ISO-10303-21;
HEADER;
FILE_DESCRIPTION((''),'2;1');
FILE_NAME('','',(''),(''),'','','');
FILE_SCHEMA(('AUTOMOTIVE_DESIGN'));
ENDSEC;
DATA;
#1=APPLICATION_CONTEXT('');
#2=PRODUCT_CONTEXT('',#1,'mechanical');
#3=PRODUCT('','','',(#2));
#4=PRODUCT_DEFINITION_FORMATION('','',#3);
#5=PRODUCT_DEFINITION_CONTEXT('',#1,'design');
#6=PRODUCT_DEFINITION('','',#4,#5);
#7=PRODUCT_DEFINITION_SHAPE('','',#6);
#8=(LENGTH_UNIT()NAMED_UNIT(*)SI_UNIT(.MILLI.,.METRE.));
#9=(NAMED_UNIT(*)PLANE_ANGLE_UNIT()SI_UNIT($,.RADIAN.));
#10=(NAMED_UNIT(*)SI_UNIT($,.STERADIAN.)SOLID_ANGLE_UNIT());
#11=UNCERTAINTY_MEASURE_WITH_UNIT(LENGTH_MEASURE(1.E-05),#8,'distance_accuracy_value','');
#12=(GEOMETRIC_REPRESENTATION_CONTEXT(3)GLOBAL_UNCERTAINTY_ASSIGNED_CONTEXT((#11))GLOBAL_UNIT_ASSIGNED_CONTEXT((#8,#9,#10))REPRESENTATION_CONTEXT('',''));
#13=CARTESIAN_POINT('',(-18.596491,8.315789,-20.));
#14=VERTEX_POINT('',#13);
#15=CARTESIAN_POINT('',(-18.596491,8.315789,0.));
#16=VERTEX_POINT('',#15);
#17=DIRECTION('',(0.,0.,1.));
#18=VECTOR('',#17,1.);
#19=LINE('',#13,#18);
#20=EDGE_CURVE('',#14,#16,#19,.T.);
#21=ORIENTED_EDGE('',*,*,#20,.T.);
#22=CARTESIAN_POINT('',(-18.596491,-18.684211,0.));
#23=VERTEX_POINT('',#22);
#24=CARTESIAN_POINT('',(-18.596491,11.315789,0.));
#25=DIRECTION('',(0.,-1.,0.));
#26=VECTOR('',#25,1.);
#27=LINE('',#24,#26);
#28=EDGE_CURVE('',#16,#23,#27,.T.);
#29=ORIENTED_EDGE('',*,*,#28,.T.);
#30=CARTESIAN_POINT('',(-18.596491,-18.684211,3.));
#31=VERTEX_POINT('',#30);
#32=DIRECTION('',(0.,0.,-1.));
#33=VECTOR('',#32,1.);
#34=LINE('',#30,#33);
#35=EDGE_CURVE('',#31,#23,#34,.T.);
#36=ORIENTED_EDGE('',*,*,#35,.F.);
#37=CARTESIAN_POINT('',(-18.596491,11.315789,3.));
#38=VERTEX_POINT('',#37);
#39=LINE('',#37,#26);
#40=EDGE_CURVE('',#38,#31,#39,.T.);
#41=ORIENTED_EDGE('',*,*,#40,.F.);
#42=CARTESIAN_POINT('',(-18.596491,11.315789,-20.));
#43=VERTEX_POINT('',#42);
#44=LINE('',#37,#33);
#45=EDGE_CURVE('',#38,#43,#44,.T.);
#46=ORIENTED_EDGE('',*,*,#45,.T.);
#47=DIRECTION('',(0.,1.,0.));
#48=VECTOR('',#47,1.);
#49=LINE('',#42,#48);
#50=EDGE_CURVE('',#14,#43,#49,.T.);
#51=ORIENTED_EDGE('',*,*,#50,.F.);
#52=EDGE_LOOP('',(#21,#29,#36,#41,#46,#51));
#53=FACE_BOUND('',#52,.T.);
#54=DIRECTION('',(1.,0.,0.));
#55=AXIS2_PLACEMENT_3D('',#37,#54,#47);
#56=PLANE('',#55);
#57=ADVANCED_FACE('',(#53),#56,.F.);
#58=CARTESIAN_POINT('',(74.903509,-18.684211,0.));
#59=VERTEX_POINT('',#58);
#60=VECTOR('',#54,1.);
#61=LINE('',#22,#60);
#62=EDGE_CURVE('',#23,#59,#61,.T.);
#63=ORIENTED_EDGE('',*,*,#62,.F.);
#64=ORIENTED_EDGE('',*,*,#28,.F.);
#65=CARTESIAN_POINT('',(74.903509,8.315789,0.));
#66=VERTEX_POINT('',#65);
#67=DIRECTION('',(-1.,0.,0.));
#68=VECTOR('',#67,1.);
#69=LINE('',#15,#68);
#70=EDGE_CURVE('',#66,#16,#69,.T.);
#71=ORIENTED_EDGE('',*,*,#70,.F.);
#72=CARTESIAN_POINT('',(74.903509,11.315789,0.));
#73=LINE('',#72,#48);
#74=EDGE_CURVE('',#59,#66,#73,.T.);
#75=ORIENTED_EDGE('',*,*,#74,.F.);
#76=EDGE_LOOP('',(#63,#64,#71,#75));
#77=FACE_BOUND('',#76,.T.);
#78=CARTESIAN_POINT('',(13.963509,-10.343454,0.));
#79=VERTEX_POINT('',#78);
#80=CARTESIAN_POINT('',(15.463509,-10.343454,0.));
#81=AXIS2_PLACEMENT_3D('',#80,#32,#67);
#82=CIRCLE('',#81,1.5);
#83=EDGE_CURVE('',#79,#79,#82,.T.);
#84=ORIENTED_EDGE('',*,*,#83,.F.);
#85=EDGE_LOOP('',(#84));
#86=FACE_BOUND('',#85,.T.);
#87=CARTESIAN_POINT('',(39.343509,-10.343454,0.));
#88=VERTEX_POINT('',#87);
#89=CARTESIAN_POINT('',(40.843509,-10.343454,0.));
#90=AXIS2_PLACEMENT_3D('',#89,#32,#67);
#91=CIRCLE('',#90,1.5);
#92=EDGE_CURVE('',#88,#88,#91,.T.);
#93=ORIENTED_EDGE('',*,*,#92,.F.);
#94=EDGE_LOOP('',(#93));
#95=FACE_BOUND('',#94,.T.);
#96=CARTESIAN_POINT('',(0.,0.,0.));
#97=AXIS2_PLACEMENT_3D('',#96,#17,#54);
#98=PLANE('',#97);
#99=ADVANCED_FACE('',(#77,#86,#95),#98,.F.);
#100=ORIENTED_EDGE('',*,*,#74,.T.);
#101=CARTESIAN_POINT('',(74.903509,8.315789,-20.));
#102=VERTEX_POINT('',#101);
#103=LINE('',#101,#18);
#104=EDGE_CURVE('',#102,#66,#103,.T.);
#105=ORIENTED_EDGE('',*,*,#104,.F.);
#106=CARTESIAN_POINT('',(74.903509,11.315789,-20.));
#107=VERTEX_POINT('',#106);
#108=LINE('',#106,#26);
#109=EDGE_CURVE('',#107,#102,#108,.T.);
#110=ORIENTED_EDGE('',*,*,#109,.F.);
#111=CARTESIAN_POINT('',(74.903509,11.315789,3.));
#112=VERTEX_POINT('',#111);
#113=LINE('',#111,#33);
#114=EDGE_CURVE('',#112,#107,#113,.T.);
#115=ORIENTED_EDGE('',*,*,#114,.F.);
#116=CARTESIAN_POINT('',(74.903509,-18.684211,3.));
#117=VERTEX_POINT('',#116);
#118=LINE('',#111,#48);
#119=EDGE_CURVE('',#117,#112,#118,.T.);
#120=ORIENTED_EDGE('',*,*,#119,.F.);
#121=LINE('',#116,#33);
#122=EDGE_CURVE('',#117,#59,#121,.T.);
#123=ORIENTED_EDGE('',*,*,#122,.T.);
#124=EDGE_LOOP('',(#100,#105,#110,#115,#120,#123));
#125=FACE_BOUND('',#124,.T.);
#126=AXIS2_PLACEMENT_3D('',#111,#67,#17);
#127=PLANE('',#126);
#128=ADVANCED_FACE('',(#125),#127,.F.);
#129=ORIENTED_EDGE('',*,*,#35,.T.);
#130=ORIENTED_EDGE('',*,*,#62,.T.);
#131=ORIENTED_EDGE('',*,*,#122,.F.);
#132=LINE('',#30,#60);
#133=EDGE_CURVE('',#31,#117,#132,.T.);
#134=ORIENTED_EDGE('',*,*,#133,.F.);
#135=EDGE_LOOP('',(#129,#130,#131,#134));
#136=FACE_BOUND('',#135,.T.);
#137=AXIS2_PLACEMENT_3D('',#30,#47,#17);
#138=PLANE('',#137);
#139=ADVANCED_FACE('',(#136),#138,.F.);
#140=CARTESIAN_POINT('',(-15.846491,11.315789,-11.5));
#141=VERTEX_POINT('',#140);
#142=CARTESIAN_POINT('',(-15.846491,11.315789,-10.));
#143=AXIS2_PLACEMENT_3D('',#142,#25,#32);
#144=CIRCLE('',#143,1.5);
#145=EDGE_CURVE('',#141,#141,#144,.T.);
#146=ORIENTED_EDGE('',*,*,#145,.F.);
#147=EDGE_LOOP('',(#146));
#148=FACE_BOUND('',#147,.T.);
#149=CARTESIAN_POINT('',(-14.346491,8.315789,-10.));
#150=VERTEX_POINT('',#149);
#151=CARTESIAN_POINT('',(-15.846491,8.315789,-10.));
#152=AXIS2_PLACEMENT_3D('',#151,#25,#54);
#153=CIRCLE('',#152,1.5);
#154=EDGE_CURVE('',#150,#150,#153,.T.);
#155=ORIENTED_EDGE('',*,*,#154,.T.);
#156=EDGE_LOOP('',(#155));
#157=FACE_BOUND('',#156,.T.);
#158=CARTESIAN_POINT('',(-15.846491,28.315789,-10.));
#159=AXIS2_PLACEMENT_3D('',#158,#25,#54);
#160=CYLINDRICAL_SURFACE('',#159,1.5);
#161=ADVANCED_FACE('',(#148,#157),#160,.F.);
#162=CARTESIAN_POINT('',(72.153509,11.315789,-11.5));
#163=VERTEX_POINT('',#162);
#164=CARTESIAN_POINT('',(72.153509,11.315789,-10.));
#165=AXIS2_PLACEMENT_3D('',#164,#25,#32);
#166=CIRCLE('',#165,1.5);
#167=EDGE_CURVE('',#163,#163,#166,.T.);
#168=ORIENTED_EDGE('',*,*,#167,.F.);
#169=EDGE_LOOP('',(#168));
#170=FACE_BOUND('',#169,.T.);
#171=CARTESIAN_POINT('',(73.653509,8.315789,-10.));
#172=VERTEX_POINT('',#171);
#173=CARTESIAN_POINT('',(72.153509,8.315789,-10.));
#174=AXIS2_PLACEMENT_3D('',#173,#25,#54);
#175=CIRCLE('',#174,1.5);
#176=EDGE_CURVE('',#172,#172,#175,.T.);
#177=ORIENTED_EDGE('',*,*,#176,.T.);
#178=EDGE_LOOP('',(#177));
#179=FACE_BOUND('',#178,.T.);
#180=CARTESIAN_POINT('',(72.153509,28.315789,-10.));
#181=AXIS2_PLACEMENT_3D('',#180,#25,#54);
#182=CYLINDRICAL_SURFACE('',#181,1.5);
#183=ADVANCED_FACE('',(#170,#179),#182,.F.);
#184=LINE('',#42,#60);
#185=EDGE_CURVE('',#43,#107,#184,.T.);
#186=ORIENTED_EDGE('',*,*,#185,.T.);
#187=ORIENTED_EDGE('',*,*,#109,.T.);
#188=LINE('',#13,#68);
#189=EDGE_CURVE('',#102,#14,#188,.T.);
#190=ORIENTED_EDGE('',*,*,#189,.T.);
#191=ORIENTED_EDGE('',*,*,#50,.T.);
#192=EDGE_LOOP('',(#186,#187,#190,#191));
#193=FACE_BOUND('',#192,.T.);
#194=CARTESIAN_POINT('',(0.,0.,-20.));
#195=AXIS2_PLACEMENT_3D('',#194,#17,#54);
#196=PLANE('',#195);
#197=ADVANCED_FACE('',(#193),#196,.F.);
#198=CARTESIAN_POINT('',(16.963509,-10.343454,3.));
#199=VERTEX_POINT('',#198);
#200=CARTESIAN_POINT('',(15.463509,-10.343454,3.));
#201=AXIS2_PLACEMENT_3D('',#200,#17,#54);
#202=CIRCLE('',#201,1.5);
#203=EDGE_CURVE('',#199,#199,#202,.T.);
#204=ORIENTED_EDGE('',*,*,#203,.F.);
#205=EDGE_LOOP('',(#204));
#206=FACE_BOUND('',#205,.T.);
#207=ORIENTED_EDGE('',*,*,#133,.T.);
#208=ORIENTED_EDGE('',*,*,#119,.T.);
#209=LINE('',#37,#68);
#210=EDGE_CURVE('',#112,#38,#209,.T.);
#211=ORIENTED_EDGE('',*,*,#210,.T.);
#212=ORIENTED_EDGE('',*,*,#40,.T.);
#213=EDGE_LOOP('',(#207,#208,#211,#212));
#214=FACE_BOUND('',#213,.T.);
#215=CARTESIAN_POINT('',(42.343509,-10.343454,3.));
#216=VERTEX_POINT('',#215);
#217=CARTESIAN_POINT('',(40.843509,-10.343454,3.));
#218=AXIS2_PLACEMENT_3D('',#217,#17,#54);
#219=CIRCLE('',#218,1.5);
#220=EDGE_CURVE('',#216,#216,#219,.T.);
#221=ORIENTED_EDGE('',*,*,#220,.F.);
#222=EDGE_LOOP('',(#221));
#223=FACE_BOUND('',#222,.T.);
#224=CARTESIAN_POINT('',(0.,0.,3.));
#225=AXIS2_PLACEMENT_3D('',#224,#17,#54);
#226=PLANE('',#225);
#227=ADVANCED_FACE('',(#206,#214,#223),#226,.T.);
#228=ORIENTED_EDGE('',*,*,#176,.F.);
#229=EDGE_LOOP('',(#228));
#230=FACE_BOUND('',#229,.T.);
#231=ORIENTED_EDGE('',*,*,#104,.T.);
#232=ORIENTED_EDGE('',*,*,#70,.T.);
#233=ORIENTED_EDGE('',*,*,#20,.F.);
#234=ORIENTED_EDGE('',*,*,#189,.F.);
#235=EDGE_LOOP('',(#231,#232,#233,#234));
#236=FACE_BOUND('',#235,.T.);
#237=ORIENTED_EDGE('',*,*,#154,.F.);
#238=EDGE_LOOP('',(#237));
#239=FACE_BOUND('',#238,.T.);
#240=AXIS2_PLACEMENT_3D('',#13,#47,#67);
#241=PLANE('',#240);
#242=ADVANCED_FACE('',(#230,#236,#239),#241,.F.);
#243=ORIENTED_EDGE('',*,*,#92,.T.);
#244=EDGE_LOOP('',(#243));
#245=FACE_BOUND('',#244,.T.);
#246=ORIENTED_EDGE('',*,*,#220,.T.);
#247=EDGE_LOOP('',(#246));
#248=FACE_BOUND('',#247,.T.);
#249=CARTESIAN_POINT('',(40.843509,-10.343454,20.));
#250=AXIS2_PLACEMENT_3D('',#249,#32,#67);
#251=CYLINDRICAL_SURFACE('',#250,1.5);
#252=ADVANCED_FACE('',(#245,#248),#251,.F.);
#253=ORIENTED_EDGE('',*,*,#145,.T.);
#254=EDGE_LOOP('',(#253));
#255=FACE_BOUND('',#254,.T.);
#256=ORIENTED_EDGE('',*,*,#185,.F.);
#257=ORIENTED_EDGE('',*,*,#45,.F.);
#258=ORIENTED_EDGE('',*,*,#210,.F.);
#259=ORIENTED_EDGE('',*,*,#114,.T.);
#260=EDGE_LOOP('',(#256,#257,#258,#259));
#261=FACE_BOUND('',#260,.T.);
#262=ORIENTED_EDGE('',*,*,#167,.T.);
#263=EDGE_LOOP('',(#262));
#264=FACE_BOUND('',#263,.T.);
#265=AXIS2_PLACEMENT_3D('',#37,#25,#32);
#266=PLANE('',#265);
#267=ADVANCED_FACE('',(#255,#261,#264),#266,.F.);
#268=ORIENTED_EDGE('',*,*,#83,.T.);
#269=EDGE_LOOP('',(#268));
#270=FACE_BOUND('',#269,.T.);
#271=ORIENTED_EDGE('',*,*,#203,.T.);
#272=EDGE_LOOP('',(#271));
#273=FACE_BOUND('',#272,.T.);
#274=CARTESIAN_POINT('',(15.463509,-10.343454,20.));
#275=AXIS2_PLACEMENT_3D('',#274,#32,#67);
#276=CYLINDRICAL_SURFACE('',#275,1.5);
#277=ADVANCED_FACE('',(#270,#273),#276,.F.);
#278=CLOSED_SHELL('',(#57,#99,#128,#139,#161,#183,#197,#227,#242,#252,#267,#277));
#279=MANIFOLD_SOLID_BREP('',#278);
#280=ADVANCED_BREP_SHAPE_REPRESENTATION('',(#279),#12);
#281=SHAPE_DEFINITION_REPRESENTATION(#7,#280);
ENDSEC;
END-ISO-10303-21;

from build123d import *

# Parameters (mm, degrees)
SKETCH_1_W          = 93.5
SKETCH_1_H          = 30
EXTRUDE_1_DEPTH     = 3
SKETCH_2_W          = 93.5
SKETCH_2_H          = 3
EXTRUDE_2_DEPTH     = 20
SKETCH_3_R          = 1.5
CUT_EXTRUDE_1_DEPTH = 20
SKETCH_4_R          = 1.5
CUT_EXTRUDE_2_DEPTH = 20


with BuildPart() as part:
    # 草图1 → 凸台-拉伸1 (new body)
    with BuildSketch(Plane.XY):
        with Locations((28.153508772, -3.684210526)):
            Rectangle(SKETCH_1_W, SKETCH_1_H)
    extrude(amount=EXTRUDE_1_DEPTH)

    # 草图2 → 凸台-拉伸2 (add)
    with BuildSketch(Plane(origin=(0, 0, 0), x_dir=(-1, 0, 0), z_dir=(0, 0, -1))):
        with Locations((-28.153508772, 9.815789474)):
            Rectangle(SKETCH_2_W, SKETCH_2_H)
    extrude(amount=EXTRUDE_2_DEPTH)

    # 草图3 → 切除-拉伸1 (cut)
    with BuildSketch(Plane.XZ.offset(-8.315789474)):
        with Locations((-15.846491228, -10)):
            Circle(SKETCH_3_R)
        with Locations((72.153508772, -10)):
            Circle(SKETCH_3_R)
    extrude(amount=-CUT_EXTRUDE_1_DEPTH, mode=Mode.SUBTRACT)

    # 草图4 → 切除-拉伸2 (cut)
    with BuildSketch(Plane(origin=(0, 0, 0), x_dir=(-1, 0, 0), z_dir=(0, 0, -1))):
        with Locations((-40.843508772, -10.343453639)):
            Circle(SKETCH_4_R)
        with Locations((-15.463508772, -10.343453639)):
            Circle(SKETCH_4_R)
    extrude(amount=-CUT_EXTRUDE_2_DEPTH, mode=Mode.SUBTRACT)


solid = part.part
